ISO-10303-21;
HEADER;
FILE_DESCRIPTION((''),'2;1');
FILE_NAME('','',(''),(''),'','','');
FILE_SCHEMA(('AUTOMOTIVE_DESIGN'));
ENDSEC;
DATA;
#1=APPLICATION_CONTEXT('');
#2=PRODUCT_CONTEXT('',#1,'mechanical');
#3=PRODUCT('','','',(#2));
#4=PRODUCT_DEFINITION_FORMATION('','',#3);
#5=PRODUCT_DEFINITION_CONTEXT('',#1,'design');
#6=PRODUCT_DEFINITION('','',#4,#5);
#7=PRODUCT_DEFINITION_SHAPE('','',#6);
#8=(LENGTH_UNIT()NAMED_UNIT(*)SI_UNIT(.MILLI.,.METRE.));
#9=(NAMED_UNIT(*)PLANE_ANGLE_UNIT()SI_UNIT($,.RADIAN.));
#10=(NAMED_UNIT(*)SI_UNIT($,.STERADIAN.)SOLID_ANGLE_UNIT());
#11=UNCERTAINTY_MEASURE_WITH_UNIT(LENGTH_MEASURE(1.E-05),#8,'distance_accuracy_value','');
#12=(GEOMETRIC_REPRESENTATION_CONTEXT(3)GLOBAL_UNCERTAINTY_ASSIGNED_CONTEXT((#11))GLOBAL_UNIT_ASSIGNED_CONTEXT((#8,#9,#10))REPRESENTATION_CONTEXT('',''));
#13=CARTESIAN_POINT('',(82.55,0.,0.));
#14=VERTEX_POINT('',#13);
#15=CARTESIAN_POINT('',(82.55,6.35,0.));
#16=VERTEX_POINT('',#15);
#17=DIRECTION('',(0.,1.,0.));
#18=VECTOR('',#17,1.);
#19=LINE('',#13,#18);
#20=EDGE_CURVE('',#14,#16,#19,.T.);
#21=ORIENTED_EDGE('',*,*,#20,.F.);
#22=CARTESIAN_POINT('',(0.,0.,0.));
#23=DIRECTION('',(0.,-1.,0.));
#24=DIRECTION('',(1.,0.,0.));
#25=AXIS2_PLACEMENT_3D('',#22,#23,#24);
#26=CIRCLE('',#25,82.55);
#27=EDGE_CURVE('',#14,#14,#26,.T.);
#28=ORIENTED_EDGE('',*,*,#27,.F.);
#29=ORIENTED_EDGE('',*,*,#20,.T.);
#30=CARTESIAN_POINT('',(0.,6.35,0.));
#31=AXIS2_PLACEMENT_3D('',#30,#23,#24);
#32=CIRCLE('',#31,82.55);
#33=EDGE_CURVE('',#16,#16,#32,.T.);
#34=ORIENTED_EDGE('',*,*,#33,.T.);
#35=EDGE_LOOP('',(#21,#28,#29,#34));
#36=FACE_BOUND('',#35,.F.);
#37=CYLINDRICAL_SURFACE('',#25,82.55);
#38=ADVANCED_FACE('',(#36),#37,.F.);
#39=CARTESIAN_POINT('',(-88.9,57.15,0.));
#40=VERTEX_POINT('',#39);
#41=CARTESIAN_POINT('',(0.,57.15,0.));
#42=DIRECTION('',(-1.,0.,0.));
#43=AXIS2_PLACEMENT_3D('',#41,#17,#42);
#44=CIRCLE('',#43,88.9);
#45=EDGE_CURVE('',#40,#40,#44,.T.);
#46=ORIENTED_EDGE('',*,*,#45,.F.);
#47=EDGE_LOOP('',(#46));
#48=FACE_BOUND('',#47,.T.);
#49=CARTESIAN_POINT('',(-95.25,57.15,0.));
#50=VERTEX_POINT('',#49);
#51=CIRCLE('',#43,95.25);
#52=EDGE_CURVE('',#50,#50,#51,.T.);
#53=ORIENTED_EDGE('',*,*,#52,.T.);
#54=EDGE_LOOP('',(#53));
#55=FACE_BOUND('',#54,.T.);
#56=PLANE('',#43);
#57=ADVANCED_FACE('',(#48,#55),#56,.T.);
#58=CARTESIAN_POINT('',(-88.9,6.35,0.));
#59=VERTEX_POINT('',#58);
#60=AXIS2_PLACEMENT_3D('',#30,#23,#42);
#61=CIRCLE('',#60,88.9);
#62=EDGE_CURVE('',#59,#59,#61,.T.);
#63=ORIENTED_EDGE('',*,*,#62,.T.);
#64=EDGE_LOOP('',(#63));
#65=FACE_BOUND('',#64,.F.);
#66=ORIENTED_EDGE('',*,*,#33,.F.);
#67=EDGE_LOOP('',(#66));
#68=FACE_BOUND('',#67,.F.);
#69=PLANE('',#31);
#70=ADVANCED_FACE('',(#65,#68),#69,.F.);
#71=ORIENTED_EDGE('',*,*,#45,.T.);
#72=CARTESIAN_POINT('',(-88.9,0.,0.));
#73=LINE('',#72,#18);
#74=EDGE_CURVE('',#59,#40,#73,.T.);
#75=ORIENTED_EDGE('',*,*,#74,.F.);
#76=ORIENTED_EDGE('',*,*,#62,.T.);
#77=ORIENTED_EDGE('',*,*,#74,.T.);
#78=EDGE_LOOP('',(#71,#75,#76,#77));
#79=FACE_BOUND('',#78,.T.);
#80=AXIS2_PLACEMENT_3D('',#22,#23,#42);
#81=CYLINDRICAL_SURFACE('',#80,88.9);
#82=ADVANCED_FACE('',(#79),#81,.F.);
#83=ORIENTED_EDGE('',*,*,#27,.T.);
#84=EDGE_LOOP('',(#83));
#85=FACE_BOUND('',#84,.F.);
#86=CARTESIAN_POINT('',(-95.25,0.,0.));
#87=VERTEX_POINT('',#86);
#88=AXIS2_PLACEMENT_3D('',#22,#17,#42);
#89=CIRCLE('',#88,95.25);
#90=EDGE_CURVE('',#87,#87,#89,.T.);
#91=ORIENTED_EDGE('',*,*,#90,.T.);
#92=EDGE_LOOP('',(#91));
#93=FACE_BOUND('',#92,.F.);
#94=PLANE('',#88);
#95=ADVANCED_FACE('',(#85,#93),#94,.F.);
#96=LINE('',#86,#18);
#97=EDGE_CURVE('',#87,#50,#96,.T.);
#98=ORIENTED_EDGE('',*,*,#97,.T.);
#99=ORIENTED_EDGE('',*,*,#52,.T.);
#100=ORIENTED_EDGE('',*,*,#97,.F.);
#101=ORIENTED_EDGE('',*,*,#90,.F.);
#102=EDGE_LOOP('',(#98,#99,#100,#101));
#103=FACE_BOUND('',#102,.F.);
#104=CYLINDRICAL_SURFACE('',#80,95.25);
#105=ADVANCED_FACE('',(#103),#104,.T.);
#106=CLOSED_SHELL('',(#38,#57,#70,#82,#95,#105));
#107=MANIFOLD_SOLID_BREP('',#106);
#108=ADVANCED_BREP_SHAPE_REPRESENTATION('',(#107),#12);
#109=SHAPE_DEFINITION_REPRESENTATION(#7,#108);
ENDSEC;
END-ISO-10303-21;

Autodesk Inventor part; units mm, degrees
ref_plane "YZ Plane" through (0, 0, 0) normal (1, 0, 0) x (0, 1, 0)
ref_plane "XZ Plane" through (0, 0, 0) normal (0, 1, 0) x (-1, 0, 0)
ref_plane "XY Plane" through (0, 0, 0) normal (0, 0, 1) x (1, 0, 0)
sketch "Sketch1" plane through (0, 0, 0) normal (0, 1, 0) x (-1, 0, 0)
  circle A0 centre (0, 0) radius 95.25
  circle A1 centre (0, 0) radius 88.9
  dimension "d0" = 177.8
  dimension "d1" = 190.5
extrude "Extrusion1" add sketch "Sketch1" along normal blind 57.15
sketch "Sketch4" plane through (0, 0, 0) normal (0, -1, 0) x (1, 0, 0)
  circle A0 centre (0, 0) radius 82.55
  circle A1 centre (0, 0) radius 88.9 projected
  circle A2 centre (0, 0) radius 95.25 projected
  dimension "d8" = 165.1
extrude "Extrusion3" add sketch "Sketch4" against normal blind 6.35 contours A1
properties part number "phenolicLiner" material "Phenolic Resin"
